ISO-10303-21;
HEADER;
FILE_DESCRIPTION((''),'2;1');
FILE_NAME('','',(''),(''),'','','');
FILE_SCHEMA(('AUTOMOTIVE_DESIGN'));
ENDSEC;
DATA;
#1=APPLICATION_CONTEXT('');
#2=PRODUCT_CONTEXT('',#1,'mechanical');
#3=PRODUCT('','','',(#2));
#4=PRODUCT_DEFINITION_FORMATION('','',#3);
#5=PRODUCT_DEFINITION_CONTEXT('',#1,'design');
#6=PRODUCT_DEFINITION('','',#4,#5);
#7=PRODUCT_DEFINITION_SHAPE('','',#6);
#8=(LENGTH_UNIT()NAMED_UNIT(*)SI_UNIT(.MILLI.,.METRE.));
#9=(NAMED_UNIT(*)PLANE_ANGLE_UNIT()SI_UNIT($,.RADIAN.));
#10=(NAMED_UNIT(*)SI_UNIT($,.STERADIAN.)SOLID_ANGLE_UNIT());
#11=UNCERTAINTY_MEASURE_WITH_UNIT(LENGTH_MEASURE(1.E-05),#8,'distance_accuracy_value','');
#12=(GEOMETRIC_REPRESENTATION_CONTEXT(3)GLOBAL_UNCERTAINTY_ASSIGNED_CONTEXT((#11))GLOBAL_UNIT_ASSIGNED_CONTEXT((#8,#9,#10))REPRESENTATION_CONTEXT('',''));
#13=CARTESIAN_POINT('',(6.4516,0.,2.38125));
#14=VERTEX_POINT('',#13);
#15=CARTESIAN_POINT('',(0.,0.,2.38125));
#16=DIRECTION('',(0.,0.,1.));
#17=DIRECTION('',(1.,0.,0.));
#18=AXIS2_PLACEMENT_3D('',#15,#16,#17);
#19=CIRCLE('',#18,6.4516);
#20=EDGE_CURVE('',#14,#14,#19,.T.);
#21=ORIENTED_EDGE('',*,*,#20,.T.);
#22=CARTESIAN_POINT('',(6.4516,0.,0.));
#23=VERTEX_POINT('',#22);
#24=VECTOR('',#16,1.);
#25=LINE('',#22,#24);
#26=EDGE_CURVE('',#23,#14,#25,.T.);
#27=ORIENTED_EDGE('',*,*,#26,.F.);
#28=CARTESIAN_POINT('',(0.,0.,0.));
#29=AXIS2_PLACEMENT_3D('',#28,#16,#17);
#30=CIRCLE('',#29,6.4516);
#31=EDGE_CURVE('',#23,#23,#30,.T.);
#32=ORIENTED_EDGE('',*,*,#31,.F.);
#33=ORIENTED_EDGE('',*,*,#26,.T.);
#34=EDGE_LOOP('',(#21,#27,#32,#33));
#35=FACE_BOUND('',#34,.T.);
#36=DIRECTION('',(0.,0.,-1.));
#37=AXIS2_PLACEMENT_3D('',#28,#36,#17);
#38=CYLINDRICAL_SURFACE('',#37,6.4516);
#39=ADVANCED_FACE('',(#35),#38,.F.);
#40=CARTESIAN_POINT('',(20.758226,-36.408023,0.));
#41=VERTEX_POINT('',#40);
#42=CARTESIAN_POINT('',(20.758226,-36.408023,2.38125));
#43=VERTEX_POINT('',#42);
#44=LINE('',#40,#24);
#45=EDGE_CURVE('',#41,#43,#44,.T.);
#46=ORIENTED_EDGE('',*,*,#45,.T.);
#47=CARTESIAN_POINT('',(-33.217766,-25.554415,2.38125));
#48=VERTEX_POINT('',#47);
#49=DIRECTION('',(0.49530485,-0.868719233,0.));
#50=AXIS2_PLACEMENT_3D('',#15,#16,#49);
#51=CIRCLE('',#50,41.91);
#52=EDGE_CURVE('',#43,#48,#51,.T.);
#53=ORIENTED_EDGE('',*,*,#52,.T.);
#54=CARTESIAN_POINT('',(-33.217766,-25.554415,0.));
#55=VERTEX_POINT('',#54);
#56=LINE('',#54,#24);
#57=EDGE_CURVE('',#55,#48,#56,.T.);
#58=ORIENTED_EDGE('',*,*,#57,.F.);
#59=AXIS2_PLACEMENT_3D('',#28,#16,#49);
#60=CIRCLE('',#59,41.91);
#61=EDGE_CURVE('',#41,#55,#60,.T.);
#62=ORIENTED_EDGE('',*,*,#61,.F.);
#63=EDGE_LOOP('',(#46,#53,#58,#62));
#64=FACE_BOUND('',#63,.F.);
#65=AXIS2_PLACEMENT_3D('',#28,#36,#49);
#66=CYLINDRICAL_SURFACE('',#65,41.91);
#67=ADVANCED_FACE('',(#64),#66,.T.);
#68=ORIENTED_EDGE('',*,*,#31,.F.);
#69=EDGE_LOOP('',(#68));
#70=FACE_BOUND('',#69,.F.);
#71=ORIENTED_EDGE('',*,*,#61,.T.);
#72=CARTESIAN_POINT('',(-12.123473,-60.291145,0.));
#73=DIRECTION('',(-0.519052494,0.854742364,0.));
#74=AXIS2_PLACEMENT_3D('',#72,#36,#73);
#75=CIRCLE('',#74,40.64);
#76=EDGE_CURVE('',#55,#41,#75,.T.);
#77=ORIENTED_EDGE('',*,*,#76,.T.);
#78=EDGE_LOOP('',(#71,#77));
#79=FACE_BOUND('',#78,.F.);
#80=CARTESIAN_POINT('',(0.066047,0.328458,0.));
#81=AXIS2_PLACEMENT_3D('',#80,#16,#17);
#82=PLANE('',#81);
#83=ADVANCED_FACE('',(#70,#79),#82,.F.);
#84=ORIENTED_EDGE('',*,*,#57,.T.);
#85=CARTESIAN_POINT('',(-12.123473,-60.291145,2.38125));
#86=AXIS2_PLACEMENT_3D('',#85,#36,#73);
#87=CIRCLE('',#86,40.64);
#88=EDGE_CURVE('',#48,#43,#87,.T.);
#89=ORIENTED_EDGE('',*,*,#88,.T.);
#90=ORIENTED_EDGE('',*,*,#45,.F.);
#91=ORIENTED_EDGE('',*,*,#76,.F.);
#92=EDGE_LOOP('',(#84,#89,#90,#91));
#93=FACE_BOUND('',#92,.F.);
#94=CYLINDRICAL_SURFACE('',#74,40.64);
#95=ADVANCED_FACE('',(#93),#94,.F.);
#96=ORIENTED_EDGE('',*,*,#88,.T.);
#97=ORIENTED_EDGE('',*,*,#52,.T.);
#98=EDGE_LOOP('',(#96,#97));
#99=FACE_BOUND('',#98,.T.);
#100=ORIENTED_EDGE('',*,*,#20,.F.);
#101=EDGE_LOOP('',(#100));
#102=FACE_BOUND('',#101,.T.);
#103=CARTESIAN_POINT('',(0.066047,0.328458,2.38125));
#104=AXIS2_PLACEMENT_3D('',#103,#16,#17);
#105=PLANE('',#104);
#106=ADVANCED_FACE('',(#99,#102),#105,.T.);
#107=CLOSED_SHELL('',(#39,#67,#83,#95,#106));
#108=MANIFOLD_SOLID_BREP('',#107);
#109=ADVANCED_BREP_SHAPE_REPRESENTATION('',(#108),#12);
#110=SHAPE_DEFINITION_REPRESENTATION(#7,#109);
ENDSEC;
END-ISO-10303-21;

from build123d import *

# Parameters (mm, degrees)
F0_R     = 6.4516
F1_DEPTH = 2.38125


with BuildPart() as f1:
    # F0 (on Top) → F1 (new body)
    with BuildSketch(Plane.XY):
        with BuildLine():
            ThreePointArc((-33.217766, -25.554415), (-4.11186, -20.448659), (20.758226, -36.408023))
            ThreePointArc((20.758226, -36.408023), (8.261976, 41.087563), (-33.217766, -25.554415))
        make_face()
        Circle(F0_R, mode=Mode.SUBTRACT)
    extrude(amount=F1_DEPTH)


solid = f1.part
